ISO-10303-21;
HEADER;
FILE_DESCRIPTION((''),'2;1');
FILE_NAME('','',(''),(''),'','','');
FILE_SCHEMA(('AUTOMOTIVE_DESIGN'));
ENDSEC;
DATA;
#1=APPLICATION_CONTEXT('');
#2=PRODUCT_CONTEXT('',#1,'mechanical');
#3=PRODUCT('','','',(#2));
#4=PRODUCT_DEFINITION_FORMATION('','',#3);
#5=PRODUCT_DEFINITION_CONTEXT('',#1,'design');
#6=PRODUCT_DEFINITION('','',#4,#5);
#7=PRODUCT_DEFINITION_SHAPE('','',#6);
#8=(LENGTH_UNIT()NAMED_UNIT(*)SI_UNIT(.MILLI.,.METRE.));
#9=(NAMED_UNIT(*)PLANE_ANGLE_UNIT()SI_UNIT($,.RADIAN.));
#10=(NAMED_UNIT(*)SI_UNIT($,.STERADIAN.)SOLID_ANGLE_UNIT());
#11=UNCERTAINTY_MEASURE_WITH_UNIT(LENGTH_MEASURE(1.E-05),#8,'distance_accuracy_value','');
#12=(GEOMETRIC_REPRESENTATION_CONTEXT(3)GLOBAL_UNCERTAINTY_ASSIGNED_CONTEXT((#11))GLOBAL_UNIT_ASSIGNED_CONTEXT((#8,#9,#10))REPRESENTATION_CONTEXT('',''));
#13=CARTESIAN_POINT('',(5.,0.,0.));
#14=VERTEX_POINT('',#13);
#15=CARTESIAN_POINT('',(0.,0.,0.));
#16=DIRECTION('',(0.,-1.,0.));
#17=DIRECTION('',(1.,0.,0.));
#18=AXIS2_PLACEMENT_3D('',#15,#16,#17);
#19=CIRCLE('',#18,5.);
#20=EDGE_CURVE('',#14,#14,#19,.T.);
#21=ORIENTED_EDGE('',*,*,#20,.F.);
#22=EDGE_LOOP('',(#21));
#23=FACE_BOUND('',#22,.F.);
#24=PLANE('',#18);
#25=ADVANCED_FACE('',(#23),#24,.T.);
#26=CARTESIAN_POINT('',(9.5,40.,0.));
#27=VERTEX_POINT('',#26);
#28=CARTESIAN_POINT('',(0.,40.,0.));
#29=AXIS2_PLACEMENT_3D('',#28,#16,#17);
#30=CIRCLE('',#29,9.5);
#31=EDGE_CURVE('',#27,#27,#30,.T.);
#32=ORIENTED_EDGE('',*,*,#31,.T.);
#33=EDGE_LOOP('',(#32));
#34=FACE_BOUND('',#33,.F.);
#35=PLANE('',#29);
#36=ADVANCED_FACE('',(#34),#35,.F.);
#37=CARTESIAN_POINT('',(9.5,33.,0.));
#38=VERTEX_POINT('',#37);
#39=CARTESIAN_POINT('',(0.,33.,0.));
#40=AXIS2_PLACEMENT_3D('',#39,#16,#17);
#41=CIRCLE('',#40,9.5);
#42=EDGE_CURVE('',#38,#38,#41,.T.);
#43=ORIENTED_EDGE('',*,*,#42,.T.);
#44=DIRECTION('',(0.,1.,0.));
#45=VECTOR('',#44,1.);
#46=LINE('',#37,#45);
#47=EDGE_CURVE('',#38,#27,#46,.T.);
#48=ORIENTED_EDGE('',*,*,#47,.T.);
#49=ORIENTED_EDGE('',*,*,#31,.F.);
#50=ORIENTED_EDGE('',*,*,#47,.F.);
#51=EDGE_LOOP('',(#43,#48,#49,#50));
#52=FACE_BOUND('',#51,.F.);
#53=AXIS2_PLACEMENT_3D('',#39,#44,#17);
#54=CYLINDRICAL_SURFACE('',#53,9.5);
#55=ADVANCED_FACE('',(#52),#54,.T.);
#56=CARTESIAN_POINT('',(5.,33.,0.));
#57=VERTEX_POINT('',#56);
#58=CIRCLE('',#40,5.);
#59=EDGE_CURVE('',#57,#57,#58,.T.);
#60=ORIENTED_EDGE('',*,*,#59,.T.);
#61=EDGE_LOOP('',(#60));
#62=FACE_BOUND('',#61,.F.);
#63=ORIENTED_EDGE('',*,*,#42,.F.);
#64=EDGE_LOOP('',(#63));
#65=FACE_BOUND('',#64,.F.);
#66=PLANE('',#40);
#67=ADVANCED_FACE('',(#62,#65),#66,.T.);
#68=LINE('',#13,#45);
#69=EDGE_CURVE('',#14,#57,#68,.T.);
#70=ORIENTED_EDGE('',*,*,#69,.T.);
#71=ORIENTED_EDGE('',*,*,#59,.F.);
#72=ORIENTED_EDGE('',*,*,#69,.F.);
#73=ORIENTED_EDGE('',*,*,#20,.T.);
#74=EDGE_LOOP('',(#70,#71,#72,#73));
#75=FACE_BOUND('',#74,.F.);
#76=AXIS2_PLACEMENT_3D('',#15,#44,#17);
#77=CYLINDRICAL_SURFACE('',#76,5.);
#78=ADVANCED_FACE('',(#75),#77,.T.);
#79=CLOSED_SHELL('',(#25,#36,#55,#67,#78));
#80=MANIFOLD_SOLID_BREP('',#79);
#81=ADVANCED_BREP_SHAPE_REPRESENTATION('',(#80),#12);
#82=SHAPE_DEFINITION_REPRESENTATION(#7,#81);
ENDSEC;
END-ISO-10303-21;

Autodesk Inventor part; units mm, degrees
ref_plane "YZ Plane" through (0, 0, 0) normal (1, 0, 0) x (0, 1, 0)
ref_plane "XZ Plane" through (0, 0, 0) normal (0, 1, 0) x (-1, 0, 0)
ref_plane "XY Plane" through (0, 0, 0) normal (0, 0, 1) x (1, 0, 0)
sketch "Boceto1" plane through (0, 0, 0) normal (0, 0, 1) x (1, 0, 0)
  line L0 (0, 0) -> (5, 0)
  line L1 (5, 0) -> (5, 33)
  line L2 (5, 33) -> (9.5, 33)
  line L3 (9.5, 33) -> (9.5, 40)
  line L4 (9.5, 40) -> (0, 40)
  line L5 (0, 40) -> (0, 0)
  dimension "d0" = 10
  dimension "d1" = 19
  dimension "d2" = 7
  dimension "d3" = 40
revolve "Revolución1" add sketch "Boceto1" angle 360 about axis through (0, 40, 0) along (0, -1, 0)
equation "\"d0\" = diam1"
equation "\"d1\" = diam2"
equation "\"d2\" = k"
equation "\"d3\" = long"
equation "\"k\" = 7"
equation "\"long\" = 40"
equation "\"diam2\" = 19"
equation "\"diam1\" = 10"
properties part number "Pieza1-Tarea2"
